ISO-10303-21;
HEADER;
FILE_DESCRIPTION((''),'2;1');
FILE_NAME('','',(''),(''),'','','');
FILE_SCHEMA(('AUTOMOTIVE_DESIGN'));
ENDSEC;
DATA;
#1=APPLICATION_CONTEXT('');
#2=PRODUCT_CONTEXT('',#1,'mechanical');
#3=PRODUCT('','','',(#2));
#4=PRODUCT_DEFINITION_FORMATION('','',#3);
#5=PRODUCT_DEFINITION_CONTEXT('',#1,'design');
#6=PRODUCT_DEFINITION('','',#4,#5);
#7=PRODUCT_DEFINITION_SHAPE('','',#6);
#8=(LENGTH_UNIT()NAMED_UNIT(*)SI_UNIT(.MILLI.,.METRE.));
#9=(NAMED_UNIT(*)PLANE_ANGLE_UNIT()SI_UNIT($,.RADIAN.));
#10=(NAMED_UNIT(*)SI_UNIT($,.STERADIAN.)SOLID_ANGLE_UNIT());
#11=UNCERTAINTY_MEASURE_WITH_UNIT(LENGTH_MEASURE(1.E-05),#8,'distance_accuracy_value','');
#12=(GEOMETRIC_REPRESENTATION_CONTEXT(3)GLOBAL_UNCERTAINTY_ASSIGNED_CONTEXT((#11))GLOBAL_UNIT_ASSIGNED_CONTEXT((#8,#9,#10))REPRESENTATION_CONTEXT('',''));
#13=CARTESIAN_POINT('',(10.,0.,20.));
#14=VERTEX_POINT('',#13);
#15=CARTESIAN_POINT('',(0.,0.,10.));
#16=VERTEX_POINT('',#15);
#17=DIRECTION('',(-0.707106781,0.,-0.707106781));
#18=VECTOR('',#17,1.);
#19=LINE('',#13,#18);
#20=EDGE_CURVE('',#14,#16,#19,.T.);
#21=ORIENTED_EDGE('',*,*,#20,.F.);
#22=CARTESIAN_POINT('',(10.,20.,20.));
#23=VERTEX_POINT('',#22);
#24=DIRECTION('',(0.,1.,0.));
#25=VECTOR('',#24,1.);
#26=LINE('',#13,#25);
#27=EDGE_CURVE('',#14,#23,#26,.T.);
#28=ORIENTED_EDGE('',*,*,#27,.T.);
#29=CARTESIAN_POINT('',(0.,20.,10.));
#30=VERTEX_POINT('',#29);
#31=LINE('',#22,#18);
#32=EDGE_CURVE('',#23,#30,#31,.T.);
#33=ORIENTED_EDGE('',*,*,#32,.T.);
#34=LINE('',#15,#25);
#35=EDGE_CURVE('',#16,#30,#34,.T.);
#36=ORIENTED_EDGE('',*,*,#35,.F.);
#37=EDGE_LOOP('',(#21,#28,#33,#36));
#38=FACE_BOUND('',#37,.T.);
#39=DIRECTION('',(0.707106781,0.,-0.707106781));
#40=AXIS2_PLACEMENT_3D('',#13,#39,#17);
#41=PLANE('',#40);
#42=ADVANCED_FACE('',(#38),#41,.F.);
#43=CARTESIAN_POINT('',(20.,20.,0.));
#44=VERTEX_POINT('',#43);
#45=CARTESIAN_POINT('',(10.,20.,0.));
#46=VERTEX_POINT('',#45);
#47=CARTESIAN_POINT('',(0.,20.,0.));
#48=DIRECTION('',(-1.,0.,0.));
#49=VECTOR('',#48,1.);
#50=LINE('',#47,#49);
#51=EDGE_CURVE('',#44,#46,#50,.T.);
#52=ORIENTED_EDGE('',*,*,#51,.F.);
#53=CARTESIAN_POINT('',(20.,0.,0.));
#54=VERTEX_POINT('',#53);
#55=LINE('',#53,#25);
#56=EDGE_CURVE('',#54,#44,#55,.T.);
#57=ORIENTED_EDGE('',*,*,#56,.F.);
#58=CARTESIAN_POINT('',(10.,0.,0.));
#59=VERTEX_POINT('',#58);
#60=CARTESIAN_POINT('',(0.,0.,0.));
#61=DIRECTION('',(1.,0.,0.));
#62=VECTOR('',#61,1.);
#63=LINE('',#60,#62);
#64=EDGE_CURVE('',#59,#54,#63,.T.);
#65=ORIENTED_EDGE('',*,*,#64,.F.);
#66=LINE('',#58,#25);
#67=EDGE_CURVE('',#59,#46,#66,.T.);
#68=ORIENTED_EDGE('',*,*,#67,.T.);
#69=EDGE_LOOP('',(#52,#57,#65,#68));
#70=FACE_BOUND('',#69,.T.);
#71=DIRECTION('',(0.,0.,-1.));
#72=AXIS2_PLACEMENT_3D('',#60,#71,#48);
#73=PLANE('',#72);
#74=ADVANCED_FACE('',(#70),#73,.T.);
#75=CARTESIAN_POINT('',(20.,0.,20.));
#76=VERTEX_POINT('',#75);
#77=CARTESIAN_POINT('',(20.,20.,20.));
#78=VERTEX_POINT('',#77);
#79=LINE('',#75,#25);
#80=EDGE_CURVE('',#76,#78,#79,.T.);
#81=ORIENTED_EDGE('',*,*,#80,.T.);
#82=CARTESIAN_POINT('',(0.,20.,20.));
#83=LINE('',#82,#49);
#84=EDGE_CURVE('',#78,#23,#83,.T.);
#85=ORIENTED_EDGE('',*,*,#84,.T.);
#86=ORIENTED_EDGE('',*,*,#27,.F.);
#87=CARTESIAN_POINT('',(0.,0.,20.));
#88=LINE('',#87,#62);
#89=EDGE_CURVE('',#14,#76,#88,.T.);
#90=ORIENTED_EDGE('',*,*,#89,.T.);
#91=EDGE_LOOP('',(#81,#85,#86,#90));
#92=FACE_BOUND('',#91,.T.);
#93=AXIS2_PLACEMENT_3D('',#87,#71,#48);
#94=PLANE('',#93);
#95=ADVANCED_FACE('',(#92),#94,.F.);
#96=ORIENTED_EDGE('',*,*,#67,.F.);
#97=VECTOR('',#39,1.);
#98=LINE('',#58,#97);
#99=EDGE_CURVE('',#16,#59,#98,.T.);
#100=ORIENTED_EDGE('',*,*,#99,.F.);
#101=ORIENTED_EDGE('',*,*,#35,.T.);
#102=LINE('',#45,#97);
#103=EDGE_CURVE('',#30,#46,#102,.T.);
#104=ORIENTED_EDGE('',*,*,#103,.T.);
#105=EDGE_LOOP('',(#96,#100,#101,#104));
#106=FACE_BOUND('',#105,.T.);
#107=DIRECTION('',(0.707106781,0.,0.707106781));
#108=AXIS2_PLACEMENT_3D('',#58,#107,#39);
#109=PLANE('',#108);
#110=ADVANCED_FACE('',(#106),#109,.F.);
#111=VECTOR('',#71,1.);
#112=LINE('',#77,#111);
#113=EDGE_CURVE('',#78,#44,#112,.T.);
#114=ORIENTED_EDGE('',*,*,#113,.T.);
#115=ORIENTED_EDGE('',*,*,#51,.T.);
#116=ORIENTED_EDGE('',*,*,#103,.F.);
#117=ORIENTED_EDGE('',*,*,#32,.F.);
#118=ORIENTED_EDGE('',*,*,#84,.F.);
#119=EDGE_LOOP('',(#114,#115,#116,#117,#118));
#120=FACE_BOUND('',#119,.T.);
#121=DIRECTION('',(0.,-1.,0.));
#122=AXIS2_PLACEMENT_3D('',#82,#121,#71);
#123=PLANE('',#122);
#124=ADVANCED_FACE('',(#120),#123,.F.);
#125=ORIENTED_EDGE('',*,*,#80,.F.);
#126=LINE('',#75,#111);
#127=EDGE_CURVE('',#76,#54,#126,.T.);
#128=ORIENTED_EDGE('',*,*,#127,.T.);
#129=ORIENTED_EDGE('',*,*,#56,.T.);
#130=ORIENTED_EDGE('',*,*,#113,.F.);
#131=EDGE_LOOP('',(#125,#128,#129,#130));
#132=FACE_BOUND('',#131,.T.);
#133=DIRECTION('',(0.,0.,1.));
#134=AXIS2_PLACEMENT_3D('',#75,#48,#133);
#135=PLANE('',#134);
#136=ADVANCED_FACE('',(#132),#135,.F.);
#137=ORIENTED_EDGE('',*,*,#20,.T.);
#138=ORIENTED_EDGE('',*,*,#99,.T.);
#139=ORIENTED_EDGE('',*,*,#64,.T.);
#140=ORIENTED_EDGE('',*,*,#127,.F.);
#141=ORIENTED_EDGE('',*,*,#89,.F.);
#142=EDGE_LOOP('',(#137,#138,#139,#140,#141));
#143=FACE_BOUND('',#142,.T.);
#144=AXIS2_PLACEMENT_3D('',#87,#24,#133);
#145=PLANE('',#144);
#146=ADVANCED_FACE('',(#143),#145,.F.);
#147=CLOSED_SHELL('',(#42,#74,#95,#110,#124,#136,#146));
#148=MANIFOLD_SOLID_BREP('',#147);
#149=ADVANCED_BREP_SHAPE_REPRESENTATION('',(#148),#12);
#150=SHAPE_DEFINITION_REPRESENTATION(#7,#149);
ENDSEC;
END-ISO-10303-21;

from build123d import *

# Parameters (mm, degrees)
SKETCH1_W           = 20
SKETCH1_H           = 20
BOSS_EXTRUDE1_DEPTH = 20
CUT_EXTRUDE1_DEPTH  = 20
CUT_EXTRUDE2_DEPTH  = 20


with BuildPart() as part:
    # Sketch1 → Boss-Extrude1 (new body)
    with BuildSketch(Plane.XY):
        with Locations((10, 10)):
            Rectangle(SKETCH1_W, SKETCH1_H)
    extrude(amount=BOSS_EXTRUDE1_DEPTH)

    # Sketch2 → Cut-Extrude1 (cut)
    with BuildSketch(Plane(origin=(0, 20, 0), x_dir=(1, 0, 0), z_dir=(0, 1, 0))):
        Polygon((0, 0), (10, 0), (0, -10), align=None)
    extrude(amount=-CUT_EXTRUDE1_DEPTH, mode=Mode.SUBTRACT)

    # Sketch3 → Cut-Extrude2 (cut)
    with BuildSketch(Plane(origin=(0, 20, 0), x_dir=(1, 0, 0), z_dir=(0, 1, 0))):
        Polygon((0, -10), (0, -20), (10, -20), align=None)
    extrude(amount=-CUT_EXTRUDE2_DEPTH, mode=Mode.SUBTRACT)


solid = part.part
